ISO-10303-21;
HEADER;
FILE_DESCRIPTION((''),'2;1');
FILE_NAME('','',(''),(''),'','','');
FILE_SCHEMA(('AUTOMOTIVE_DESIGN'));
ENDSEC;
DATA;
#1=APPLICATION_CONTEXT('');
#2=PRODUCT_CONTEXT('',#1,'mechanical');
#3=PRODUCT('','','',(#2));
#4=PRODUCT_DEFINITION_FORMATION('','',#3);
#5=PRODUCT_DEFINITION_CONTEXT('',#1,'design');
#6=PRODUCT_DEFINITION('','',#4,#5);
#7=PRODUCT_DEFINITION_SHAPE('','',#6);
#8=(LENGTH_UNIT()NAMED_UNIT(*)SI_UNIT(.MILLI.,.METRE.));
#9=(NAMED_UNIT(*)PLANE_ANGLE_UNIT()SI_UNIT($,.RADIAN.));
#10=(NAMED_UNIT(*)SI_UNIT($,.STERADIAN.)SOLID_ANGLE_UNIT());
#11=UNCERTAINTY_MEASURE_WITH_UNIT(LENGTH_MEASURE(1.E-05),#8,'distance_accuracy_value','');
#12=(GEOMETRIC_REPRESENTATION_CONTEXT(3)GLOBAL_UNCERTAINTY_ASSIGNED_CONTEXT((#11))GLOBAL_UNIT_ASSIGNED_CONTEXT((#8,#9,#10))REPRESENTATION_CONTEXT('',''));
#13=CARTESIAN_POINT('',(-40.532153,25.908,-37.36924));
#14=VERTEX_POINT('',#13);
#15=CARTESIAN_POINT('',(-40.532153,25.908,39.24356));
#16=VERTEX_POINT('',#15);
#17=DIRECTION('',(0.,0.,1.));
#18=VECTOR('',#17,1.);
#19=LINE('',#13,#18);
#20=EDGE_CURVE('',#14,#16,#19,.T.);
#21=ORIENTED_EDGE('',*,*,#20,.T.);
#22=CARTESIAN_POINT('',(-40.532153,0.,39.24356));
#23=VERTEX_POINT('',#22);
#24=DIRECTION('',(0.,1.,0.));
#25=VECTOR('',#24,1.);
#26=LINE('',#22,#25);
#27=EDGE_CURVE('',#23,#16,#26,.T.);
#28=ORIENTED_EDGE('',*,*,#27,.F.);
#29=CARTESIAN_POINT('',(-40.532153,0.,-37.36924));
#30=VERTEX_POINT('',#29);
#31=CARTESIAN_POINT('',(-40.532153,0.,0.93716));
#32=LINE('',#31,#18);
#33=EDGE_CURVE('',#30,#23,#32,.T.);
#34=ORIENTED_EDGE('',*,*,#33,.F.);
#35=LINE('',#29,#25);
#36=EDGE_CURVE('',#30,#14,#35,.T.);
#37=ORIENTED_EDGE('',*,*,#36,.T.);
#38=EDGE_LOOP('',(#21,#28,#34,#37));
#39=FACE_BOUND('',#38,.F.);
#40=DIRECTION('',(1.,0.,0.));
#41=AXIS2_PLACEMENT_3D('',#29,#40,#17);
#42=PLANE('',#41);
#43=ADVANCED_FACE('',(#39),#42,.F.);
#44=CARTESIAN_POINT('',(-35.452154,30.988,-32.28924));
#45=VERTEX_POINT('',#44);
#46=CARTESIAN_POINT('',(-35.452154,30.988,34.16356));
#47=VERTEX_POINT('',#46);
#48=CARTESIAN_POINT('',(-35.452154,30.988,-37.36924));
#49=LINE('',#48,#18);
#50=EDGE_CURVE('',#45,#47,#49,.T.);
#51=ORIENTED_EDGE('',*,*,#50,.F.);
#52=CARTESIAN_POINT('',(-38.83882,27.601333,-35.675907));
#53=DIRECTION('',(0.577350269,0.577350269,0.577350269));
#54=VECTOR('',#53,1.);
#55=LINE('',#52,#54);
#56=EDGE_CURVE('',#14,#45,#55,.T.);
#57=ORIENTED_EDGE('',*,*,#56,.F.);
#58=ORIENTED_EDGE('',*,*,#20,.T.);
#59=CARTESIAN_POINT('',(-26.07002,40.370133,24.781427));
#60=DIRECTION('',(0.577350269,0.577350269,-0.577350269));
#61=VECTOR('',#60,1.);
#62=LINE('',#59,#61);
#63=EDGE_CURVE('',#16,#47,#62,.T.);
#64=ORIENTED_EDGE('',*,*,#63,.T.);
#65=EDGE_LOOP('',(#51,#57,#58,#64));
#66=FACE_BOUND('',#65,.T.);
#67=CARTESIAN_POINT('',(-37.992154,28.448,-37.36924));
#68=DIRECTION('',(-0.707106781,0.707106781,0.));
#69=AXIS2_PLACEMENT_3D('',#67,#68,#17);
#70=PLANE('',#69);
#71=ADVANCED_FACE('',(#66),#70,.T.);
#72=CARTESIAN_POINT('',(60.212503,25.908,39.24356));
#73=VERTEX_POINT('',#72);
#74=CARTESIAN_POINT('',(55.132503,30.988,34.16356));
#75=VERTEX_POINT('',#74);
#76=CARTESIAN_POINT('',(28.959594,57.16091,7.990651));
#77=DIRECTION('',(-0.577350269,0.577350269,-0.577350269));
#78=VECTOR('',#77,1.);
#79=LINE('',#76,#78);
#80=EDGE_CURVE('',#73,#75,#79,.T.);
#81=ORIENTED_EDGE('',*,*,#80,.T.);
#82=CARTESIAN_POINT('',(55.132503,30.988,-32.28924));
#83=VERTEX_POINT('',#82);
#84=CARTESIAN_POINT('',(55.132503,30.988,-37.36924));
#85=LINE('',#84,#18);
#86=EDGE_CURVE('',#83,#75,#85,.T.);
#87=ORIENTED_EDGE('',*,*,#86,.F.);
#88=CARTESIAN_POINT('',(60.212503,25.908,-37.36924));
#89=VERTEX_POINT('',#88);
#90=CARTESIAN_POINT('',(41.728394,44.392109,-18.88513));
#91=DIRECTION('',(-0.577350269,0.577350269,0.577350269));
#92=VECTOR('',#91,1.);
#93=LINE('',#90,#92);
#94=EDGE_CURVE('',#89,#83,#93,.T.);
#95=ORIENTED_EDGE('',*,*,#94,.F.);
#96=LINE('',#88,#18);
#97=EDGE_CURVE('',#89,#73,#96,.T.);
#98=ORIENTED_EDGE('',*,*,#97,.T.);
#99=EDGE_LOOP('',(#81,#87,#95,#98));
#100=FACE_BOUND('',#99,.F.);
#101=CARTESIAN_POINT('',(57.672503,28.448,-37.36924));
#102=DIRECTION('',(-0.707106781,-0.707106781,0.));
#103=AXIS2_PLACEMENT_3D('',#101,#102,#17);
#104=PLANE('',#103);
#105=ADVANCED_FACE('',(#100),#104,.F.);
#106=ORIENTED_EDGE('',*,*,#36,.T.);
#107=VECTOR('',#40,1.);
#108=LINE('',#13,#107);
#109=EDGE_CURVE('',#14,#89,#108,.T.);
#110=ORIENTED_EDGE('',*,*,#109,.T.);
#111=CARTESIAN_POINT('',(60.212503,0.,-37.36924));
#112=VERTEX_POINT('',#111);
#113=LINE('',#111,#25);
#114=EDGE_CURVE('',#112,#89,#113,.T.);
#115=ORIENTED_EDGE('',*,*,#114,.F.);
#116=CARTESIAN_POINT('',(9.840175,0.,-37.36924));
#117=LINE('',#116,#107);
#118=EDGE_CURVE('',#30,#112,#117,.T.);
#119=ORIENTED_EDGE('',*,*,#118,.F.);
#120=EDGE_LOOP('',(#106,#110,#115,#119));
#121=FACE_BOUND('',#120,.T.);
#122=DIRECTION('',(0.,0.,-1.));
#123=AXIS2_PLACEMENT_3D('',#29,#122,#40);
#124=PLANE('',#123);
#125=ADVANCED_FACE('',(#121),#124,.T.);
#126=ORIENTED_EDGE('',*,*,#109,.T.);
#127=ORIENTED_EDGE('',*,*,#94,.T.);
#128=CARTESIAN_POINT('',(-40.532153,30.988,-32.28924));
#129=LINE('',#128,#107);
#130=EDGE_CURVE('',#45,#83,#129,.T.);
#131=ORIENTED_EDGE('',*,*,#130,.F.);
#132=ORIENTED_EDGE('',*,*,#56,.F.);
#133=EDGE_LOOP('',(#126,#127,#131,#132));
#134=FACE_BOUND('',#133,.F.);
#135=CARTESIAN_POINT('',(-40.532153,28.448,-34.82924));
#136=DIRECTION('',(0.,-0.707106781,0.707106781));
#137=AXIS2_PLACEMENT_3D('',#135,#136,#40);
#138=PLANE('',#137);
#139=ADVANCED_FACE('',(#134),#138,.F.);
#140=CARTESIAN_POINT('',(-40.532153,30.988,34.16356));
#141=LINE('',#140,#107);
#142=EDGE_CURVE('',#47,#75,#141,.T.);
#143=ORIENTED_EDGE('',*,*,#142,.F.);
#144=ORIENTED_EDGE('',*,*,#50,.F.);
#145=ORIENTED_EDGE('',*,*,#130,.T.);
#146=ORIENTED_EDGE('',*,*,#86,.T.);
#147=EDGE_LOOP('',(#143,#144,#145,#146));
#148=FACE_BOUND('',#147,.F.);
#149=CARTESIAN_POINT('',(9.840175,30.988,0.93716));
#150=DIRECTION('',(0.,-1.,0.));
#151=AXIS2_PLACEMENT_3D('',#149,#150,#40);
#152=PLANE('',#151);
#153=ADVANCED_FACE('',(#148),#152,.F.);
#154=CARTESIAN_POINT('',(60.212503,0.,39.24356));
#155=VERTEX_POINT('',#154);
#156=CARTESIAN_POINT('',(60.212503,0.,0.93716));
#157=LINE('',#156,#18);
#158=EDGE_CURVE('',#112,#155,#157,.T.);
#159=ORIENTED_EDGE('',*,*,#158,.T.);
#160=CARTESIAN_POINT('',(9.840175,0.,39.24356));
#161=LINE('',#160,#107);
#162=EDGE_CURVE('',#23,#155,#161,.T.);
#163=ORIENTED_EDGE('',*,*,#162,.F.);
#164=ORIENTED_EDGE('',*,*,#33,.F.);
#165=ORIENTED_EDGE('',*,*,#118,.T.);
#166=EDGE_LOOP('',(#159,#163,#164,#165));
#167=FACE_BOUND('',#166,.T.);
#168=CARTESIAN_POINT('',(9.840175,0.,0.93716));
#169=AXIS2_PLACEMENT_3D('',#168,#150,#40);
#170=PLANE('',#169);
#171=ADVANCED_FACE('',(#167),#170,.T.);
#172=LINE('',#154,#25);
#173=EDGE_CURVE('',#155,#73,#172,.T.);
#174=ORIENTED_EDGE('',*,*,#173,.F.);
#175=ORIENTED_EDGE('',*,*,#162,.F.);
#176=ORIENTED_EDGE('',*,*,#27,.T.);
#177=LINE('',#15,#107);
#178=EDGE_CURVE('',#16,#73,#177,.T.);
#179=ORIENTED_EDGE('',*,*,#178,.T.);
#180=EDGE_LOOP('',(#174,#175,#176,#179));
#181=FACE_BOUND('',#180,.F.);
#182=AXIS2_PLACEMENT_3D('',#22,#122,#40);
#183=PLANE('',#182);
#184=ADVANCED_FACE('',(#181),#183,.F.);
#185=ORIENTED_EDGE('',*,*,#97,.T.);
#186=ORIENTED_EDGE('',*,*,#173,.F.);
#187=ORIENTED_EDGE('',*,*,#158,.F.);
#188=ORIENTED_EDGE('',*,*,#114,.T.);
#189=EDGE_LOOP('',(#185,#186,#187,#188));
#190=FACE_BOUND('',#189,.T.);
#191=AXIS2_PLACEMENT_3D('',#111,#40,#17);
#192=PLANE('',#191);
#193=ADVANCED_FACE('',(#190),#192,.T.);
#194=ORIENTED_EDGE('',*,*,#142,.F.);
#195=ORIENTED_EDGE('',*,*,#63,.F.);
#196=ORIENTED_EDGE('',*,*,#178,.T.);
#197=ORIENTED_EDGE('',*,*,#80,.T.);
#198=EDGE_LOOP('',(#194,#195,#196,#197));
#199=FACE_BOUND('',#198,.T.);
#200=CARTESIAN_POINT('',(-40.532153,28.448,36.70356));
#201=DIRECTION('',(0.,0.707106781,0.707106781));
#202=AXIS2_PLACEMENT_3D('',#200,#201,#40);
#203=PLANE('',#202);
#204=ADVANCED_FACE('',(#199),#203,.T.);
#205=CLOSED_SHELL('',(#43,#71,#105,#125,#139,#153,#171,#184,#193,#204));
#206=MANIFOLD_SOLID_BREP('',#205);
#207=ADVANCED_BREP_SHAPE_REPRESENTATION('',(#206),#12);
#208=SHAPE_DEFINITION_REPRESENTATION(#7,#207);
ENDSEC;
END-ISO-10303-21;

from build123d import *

# Parameters (mm, degrees)
F0_W     = 100.744657
F0_H     = 76.6128
F1_DEPTH = 30.988
F2_SIZE  = 5.08


with BuildPart() as f1:
    # F0 (on Front) → F1 (new body)
    with BuildSketch(Plane.XZ):
        with Locations((9.840175, 0.93716)):
            Rectangle(F0_W, F0_H)
    extrude(amount=-F1_DEPTH)

    # F2
    f2_edges = [f1.edges().sort_by_distance(p)[0] for p in [
        (9.840176, 30.988, 39.24356),
        (-40.532153, 30.988, 0.93716),
        (9.840176, 30.988, -37.36924),
        (60.212504, 30.988, 0.93716),
    ]]
    chamfer(f2_edges, length=F2_SIZE)


solid = f1.part
